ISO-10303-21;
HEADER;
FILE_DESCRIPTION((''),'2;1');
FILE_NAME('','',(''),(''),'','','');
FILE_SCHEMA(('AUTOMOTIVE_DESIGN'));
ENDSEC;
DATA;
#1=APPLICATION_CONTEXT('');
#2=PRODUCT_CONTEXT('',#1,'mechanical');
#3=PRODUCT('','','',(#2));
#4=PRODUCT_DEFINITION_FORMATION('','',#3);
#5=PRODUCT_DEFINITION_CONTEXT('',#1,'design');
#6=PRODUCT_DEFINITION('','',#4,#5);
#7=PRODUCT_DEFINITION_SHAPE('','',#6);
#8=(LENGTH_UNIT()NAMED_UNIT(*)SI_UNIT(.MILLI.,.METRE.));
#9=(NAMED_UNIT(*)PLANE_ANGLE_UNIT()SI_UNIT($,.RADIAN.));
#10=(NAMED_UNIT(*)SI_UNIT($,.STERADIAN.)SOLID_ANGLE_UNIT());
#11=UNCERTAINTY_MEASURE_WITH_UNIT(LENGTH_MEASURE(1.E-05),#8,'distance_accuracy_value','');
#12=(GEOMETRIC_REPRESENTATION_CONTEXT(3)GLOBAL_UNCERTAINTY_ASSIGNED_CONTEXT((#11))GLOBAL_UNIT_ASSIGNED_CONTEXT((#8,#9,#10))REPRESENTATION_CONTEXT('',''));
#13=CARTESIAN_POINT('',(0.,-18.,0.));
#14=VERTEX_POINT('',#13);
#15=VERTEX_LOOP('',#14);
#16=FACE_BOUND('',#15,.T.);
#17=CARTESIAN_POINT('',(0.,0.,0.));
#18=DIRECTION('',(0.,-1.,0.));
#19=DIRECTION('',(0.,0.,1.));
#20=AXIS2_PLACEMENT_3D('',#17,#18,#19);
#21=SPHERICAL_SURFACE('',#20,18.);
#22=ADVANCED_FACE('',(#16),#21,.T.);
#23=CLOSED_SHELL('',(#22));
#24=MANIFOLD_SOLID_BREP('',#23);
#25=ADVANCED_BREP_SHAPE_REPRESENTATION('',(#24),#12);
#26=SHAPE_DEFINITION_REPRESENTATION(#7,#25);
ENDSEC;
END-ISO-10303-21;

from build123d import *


with BuildPart() as part:
    # Schizzo1 → Rivoluzione1 (revolve)
    with BuildSketch(Plane(origin=(0, 0, 0), x_dir=(0, 0, -1), z_dir=(1, 0, 0))):
        with BuildLine():
            Line((0, -18), (0, 18))
            ThreePointArc((0, 18), (18, 0), (0, -18))
        make_face()
    revolve(axis=Axis((0, -18, 0), (0, 1, 0)))


solid = part.part
